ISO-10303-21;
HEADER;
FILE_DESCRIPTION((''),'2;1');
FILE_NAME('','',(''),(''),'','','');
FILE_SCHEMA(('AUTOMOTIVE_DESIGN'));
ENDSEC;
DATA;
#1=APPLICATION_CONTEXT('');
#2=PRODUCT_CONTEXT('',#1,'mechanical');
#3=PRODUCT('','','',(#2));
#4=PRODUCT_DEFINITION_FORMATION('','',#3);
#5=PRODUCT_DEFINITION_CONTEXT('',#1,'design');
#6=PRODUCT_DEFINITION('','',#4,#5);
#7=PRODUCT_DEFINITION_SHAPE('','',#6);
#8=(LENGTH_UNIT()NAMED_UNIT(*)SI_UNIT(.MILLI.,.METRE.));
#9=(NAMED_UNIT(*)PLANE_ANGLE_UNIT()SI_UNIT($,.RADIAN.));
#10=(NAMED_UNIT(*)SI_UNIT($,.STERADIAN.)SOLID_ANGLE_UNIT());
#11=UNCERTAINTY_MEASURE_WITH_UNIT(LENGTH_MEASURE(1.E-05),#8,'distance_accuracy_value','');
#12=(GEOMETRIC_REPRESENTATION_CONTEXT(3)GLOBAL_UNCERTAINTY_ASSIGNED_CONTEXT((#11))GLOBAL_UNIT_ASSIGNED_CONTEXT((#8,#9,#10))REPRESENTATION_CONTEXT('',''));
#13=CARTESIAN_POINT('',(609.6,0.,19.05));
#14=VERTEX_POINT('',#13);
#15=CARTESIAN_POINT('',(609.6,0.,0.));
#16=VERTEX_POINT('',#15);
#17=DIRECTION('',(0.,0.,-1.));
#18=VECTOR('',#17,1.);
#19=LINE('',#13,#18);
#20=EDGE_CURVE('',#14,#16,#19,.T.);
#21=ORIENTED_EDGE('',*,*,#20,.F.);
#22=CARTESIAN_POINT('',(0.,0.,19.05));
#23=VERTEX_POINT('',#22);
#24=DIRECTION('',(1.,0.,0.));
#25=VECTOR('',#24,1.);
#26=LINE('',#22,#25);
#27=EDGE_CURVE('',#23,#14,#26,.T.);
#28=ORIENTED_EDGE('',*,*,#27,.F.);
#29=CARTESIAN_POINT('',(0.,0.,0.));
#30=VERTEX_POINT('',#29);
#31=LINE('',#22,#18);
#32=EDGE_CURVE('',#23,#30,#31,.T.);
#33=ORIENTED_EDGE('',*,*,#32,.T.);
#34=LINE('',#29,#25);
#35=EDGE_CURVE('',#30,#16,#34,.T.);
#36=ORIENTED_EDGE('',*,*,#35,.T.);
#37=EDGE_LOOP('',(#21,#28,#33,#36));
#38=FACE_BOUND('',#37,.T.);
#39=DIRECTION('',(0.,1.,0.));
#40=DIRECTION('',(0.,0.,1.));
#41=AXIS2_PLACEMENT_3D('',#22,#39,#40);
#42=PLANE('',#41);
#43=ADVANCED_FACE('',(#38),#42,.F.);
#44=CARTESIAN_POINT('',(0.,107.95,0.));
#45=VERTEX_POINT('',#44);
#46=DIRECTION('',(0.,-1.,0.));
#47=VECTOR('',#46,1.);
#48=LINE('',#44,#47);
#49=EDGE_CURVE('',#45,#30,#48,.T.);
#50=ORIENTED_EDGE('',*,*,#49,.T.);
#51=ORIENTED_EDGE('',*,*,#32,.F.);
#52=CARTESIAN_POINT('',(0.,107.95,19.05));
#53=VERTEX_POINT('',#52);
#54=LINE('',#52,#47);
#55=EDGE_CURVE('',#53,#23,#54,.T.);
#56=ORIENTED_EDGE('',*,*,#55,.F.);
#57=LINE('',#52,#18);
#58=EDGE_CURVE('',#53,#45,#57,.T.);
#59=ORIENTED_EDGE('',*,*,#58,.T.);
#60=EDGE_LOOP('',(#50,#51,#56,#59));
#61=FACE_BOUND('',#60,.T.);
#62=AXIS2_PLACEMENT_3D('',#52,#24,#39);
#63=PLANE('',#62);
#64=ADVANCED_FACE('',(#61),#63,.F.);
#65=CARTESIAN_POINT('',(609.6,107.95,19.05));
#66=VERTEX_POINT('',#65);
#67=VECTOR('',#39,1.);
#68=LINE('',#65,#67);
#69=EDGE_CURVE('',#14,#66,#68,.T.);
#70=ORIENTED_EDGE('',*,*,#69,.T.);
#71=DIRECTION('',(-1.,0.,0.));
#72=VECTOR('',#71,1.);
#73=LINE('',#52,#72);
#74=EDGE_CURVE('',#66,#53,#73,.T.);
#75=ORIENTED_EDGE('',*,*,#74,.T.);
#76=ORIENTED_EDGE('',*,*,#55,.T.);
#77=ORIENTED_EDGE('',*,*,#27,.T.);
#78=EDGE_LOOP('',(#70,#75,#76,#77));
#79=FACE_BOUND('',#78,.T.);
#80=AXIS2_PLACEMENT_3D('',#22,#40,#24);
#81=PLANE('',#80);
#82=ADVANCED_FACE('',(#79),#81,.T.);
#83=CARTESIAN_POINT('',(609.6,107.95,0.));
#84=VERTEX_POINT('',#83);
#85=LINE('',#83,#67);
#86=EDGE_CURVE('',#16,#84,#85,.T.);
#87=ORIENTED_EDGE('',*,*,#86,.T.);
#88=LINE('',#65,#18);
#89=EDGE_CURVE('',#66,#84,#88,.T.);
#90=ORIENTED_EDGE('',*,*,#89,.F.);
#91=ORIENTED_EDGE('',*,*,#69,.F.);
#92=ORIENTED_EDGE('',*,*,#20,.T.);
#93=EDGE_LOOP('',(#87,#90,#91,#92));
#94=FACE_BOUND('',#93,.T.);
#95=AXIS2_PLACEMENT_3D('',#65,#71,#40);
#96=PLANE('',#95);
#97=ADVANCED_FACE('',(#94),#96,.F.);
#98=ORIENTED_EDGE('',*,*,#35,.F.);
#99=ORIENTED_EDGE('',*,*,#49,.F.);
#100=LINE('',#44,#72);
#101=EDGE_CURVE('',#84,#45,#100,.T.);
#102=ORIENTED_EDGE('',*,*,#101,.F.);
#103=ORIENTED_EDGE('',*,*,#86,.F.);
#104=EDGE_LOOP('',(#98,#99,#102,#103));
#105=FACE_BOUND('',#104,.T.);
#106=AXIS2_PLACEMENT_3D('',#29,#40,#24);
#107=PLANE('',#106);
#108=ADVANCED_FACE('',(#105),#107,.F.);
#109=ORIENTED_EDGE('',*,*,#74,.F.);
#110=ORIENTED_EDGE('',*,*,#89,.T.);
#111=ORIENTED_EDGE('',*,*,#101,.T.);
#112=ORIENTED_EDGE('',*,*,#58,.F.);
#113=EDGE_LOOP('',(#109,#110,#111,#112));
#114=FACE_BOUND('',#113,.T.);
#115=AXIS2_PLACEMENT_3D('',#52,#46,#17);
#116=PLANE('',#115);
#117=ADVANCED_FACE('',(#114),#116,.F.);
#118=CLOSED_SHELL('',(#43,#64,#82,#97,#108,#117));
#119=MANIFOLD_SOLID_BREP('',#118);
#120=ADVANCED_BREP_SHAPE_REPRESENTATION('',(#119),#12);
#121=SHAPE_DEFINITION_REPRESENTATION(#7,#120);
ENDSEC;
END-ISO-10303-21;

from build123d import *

# Parameters (mm, degrees)
SKETCH1_W           = 609.6
SKETCH1_H           = 107.95
BOSS_EXTRUDE1_DEPTH = 19.05


with BuildPart() as part:
    # Sketch1 → Boss-Extrude1 (new body)
    with BuildSketch(Plane.XY):
        with Locations((304.8, 53.975)):
            Rectangle(SKETCH1_W, SKETCH1_H)
    extrude(amount=BOSS_EXTRUDE1_DEPTH)


solid = part.part
